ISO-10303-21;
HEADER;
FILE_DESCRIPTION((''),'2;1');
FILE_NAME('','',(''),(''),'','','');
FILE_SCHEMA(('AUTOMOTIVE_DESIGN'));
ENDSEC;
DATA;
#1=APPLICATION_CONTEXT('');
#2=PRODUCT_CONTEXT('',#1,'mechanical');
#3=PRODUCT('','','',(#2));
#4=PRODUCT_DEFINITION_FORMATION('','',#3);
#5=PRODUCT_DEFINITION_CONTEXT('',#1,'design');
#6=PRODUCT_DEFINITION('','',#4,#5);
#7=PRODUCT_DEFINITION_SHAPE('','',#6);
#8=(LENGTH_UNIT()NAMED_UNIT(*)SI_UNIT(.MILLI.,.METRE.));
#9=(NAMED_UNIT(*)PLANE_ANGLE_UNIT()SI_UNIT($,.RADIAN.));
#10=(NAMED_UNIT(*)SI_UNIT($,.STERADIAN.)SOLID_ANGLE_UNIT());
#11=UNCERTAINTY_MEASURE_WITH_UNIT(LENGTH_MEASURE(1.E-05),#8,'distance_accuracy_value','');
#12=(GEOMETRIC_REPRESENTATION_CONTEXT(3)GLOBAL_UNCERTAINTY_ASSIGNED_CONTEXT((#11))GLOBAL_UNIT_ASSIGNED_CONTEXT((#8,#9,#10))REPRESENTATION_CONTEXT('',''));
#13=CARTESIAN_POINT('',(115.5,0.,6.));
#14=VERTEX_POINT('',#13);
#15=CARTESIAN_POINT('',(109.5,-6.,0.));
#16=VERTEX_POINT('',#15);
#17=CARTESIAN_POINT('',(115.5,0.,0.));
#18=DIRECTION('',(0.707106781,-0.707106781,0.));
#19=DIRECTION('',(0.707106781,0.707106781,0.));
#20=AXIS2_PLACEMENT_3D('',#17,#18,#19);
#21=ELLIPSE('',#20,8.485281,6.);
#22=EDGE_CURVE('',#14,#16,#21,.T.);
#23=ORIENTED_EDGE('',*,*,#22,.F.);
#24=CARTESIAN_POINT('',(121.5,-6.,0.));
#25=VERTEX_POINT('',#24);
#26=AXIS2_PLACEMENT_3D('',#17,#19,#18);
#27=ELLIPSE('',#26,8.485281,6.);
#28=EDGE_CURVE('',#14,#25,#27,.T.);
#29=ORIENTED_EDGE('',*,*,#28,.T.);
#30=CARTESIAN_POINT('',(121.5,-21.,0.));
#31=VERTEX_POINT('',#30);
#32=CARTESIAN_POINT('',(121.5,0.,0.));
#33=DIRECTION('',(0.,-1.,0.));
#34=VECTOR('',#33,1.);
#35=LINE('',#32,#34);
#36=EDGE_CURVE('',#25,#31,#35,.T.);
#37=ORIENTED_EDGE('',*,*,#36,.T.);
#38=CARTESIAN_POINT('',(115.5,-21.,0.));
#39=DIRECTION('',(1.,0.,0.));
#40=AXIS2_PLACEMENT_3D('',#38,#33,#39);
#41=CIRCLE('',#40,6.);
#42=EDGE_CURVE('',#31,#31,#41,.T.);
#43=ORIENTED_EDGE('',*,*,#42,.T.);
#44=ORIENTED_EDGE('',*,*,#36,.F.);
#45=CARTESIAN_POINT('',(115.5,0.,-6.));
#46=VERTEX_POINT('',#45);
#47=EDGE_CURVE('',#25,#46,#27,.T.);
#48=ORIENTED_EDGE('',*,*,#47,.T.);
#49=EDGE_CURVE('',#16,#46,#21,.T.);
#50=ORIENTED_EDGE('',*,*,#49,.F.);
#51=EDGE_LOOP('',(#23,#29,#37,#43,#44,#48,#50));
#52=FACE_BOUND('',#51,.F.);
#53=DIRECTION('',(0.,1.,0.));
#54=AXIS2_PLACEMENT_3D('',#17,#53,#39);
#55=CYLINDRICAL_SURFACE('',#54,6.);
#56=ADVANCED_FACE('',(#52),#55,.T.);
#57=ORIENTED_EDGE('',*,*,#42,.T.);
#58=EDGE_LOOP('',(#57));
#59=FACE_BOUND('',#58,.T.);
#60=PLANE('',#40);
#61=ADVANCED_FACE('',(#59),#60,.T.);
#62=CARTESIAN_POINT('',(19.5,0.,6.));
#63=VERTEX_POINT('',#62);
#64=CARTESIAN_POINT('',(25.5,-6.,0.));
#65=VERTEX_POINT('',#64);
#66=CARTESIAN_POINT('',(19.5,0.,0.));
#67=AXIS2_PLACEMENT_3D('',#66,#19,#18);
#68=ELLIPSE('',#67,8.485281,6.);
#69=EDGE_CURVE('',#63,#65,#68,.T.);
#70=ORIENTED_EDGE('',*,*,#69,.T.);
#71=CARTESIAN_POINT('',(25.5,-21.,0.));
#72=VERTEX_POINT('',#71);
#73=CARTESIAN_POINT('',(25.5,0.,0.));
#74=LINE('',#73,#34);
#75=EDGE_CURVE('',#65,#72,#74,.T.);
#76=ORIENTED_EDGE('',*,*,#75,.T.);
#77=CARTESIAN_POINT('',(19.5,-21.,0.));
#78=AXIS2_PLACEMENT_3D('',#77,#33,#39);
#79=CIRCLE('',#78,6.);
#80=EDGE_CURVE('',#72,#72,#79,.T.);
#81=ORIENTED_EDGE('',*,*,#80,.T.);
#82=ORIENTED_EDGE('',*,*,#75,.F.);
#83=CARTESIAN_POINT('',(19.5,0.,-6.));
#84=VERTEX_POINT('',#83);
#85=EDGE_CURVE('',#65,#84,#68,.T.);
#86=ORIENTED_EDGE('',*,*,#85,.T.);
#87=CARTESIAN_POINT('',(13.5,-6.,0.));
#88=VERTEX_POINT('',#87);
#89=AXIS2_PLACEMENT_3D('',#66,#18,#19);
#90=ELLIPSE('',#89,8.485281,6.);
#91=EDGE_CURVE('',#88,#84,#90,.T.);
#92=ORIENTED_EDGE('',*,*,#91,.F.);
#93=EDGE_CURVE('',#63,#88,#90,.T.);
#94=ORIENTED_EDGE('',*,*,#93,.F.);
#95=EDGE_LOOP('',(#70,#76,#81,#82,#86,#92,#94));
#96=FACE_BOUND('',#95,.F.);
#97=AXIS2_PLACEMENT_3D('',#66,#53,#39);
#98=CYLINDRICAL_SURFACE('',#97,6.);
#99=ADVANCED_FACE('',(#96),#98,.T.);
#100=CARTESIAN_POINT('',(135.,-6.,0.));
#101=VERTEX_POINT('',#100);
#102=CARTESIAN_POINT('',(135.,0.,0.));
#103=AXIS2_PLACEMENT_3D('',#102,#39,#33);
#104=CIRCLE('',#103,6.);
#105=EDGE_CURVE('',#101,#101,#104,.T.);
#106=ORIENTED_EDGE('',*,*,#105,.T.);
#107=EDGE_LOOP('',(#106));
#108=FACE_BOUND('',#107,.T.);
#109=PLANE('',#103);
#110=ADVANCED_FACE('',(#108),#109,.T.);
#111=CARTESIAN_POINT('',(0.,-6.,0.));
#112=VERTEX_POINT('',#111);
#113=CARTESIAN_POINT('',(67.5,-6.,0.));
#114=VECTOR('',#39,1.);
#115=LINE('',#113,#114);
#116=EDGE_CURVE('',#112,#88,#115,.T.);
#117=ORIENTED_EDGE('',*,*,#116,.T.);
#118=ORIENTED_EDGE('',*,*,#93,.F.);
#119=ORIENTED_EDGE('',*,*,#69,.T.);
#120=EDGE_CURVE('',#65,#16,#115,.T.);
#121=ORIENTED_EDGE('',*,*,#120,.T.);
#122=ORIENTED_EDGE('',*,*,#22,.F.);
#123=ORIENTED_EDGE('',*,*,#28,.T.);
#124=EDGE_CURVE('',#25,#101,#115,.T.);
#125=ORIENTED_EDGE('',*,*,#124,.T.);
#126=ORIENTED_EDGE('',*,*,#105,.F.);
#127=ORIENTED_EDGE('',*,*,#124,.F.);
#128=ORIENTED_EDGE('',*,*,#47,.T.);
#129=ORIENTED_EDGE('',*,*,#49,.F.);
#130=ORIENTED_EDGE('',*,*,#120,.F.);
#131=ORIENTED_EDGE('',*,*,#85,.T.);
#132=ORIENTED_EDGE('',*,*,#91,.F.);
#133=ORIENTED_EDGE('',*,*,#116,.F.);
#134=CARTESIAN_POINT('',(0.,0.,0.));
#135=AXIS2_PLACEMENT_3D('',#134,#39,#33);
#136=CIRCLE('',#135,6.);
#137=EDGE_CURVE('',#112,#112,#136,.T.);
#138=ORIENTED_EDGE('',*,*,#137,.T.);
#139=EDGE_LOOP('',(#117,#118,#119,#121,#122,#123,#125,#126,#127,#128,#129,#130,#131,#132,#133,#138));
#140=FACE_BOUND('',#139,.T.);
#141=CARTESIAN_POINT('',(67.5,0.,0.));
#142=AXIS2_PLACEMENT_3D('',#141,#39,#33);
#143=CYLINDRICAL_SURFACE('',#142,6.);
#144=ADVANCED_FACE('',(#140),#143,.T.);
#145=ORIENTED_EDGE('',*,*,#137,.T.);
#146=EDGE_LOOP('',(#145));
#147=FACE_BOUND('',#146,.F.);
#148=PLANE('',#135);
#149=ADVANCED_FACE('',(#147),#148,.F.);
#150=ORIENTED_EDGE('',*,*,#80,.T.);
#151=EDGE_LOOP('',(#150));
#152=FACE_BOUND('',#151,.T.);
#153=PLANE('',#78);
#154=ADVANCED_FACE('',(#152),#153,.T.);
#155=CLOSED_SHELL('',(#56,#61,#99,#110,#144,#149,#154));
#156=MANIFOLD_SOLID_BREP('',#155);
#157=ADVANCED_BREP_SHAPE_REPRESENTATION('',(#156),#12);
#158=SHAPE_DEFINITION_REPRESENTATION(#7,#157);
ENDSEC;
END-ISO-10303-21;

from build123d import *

# Parameters (mm, degrees)
SKETCH_W    = 135
SKETCH_H    = 6
SKETCH001_R = 6
PAD_DEPTH   = 21


with BuildPart() as part:
    # Sketch → Revolution (revolve)
    with BuildSketch(Plane.XY):
        with Locations((67.5, -3)):
            Rectangle(SKETCH_W, SKETCH_H)
    revolve(axis=Axis((0, 0, 0), (1, 0, 0)))

    # Sketch001 → Pad (new body)
    with BuildSketch(Plane.XZ):
        with Locations((19.5, 0)):
            Circle(SKETCH001_R)
        with Locations((115.5, 0)):
            Circle(SKETCH001_R)
    extrude(amount=PAD_DEPTH)


solid = part.part
